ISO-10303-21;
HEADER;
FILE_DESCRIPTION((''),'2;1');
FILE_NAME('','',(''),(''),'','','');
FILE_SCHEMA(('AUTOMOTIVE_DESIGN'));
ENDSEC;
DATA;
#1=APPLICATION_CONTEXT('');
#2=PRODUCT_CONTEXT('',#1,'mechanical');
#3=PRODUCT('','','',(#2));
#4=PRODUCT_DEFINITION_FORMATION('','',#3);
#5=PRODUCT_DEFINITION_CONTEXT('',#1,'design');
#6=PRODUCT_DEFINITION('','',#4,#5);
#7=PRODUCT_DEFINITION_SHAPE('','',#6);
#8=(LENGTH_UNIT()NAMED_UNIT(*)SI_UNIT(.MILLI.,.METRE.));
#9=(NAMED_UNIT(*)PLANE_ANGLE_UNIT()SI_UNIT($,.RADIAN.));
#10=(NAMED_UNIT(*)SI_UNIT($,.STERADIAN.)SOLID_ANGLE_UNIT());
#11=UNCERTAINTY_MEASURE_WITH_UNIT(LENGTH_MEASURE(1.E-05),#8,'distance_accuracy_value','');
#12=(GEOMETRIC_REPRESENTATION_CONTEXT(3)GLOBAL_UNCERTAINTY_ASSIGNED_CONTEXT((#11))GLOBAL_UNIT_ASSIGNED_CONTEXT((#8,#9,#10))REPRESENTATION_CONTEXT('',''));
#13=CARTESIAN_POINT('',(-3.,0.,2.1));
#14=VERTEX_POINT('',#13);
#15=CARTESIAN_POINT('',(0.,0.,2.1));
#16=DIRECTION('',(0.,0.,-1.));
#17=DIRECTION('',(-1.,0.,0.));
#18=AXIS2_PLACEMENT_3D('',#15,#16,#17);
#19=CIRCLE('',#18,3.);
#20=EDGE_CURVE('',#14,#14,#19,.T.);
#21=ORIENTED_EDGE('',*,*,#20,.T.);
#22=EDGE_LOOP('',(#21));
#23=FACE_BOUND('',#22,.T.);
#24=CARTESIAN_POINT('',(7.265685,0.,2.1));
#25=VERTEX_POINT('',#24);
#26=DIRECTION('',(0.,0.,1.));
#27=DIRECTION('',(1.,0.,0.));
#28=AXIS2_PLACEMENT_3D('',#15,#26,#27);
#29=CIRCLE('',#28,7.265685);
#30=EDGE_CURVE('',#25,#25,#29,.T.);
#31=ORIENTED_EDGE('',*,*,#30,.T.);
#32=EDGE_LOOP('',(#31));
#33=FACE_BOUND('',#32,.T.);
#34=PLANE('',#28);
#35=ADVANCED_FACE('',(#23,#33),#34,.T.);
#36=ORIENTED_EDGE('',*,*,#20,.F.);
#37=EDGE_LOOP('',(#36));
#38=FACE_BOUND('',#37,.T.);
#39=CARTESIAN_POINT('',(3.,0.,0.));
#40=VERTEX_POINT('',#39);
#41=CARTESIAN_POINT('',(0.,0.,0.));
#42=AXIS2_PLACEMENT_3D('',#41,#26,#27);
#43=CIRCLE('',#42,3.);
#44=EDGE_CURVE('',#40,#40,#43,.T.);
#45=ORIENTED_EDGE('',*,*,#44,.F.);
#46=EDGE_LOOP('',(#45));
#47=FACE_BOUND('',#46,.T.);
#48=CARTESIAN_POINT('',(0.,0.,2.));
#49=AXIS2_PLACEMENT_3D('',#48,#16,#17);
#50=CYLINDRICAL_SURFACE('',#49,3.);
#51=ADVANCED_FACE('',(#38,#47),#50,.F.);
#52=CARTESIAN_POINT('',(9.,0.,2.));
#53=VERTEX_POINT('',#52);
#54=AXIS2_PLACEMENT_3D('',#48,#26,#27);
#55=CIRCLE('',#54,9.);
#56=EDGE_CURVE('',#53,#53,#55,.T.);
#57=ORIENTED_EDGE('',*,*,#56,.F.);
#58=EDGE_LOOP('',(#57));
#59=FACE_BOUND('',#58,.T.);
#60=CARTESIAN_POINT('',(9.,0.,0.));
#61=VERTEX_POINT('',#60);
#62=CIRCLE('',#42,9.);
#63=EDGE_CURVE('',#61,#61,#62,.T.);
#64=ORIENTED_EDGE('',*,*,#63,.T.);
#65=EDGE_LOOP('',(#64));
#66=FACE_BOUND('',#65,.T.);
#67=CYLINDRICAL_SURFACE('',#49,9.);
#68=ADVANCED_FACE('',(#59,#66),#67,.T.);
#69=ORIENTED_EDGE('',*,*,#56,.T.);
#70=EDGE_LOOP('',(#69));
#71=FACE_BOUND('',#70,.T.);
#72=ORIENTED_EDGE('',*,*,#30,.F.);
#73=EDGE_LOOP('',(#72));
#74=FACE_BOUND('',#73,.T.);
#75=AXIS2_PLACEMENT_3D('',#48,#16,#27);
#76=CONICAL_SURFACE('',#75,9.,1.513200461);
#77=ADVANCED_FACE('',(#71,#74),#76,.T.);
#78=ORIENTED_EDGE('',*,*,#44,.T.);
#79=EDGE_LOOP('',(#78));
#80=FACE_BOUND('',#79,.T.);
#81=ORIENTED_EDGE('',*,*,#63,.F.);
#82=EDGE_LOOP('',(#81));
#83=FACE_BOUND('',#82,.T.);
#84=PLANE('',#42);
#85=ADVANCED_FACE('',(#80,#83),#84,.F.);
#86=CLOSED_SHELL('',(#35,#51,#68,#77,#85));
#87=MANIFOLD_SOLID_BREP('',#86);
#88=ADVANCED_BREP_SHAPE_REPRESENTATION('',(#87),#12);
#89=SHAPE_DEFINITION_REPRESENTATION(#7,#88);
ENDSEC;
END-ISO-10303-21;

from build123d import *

# Parameters (mm, degrees)
SKETCH2_R           = 9
SKETCH2_R_2         = 3
BOSS_EXTRUDE1_DEPTH = 2
SKETCH4_R           = 9
BOSS_EXTRUDE2_DEPTH = 0.1
BOSS_EXTRUDE2_TAPER = 86.7
SKETCH5_R           = 3
CUT_EXTRUDE1_DEPTH  = 0.1


with BuildPart() as part:
    # Sketch2 → Boss-Extrude1 (new body)
    with BuildSketch(Plane.XY):
        Circle(SKETCH2_R)
        Circle(SKETCH2_R_2, mode=Mode.SUBTRACT)
    extrude(amount=BOSS_EXTRUDE1_DEPTH)

    # Sketch4 → Boss-Extrude2 (add)
    with BuildSketch(Plane.XY.offset(2)):
        Circle(SKETCH4_R)
    extrude(amount=BOSS_EXTRUDE2_DEPTH, taper=BOSS_EXTRUDE2_TAPER)

    # Sketch5 → Cut-Extrude1 (cut)
    with BuildSketch(Plane(origin=(0, 0, 2), x_dir=(-1, 0, 0), z_dir=(0, 0, -1))):
        Circle(SKETCH5_R)
    extrude(amount=-CUT_EXTRUDE1_DEPTH, mode=Mode.SUBTRACT)


solid = part.part
